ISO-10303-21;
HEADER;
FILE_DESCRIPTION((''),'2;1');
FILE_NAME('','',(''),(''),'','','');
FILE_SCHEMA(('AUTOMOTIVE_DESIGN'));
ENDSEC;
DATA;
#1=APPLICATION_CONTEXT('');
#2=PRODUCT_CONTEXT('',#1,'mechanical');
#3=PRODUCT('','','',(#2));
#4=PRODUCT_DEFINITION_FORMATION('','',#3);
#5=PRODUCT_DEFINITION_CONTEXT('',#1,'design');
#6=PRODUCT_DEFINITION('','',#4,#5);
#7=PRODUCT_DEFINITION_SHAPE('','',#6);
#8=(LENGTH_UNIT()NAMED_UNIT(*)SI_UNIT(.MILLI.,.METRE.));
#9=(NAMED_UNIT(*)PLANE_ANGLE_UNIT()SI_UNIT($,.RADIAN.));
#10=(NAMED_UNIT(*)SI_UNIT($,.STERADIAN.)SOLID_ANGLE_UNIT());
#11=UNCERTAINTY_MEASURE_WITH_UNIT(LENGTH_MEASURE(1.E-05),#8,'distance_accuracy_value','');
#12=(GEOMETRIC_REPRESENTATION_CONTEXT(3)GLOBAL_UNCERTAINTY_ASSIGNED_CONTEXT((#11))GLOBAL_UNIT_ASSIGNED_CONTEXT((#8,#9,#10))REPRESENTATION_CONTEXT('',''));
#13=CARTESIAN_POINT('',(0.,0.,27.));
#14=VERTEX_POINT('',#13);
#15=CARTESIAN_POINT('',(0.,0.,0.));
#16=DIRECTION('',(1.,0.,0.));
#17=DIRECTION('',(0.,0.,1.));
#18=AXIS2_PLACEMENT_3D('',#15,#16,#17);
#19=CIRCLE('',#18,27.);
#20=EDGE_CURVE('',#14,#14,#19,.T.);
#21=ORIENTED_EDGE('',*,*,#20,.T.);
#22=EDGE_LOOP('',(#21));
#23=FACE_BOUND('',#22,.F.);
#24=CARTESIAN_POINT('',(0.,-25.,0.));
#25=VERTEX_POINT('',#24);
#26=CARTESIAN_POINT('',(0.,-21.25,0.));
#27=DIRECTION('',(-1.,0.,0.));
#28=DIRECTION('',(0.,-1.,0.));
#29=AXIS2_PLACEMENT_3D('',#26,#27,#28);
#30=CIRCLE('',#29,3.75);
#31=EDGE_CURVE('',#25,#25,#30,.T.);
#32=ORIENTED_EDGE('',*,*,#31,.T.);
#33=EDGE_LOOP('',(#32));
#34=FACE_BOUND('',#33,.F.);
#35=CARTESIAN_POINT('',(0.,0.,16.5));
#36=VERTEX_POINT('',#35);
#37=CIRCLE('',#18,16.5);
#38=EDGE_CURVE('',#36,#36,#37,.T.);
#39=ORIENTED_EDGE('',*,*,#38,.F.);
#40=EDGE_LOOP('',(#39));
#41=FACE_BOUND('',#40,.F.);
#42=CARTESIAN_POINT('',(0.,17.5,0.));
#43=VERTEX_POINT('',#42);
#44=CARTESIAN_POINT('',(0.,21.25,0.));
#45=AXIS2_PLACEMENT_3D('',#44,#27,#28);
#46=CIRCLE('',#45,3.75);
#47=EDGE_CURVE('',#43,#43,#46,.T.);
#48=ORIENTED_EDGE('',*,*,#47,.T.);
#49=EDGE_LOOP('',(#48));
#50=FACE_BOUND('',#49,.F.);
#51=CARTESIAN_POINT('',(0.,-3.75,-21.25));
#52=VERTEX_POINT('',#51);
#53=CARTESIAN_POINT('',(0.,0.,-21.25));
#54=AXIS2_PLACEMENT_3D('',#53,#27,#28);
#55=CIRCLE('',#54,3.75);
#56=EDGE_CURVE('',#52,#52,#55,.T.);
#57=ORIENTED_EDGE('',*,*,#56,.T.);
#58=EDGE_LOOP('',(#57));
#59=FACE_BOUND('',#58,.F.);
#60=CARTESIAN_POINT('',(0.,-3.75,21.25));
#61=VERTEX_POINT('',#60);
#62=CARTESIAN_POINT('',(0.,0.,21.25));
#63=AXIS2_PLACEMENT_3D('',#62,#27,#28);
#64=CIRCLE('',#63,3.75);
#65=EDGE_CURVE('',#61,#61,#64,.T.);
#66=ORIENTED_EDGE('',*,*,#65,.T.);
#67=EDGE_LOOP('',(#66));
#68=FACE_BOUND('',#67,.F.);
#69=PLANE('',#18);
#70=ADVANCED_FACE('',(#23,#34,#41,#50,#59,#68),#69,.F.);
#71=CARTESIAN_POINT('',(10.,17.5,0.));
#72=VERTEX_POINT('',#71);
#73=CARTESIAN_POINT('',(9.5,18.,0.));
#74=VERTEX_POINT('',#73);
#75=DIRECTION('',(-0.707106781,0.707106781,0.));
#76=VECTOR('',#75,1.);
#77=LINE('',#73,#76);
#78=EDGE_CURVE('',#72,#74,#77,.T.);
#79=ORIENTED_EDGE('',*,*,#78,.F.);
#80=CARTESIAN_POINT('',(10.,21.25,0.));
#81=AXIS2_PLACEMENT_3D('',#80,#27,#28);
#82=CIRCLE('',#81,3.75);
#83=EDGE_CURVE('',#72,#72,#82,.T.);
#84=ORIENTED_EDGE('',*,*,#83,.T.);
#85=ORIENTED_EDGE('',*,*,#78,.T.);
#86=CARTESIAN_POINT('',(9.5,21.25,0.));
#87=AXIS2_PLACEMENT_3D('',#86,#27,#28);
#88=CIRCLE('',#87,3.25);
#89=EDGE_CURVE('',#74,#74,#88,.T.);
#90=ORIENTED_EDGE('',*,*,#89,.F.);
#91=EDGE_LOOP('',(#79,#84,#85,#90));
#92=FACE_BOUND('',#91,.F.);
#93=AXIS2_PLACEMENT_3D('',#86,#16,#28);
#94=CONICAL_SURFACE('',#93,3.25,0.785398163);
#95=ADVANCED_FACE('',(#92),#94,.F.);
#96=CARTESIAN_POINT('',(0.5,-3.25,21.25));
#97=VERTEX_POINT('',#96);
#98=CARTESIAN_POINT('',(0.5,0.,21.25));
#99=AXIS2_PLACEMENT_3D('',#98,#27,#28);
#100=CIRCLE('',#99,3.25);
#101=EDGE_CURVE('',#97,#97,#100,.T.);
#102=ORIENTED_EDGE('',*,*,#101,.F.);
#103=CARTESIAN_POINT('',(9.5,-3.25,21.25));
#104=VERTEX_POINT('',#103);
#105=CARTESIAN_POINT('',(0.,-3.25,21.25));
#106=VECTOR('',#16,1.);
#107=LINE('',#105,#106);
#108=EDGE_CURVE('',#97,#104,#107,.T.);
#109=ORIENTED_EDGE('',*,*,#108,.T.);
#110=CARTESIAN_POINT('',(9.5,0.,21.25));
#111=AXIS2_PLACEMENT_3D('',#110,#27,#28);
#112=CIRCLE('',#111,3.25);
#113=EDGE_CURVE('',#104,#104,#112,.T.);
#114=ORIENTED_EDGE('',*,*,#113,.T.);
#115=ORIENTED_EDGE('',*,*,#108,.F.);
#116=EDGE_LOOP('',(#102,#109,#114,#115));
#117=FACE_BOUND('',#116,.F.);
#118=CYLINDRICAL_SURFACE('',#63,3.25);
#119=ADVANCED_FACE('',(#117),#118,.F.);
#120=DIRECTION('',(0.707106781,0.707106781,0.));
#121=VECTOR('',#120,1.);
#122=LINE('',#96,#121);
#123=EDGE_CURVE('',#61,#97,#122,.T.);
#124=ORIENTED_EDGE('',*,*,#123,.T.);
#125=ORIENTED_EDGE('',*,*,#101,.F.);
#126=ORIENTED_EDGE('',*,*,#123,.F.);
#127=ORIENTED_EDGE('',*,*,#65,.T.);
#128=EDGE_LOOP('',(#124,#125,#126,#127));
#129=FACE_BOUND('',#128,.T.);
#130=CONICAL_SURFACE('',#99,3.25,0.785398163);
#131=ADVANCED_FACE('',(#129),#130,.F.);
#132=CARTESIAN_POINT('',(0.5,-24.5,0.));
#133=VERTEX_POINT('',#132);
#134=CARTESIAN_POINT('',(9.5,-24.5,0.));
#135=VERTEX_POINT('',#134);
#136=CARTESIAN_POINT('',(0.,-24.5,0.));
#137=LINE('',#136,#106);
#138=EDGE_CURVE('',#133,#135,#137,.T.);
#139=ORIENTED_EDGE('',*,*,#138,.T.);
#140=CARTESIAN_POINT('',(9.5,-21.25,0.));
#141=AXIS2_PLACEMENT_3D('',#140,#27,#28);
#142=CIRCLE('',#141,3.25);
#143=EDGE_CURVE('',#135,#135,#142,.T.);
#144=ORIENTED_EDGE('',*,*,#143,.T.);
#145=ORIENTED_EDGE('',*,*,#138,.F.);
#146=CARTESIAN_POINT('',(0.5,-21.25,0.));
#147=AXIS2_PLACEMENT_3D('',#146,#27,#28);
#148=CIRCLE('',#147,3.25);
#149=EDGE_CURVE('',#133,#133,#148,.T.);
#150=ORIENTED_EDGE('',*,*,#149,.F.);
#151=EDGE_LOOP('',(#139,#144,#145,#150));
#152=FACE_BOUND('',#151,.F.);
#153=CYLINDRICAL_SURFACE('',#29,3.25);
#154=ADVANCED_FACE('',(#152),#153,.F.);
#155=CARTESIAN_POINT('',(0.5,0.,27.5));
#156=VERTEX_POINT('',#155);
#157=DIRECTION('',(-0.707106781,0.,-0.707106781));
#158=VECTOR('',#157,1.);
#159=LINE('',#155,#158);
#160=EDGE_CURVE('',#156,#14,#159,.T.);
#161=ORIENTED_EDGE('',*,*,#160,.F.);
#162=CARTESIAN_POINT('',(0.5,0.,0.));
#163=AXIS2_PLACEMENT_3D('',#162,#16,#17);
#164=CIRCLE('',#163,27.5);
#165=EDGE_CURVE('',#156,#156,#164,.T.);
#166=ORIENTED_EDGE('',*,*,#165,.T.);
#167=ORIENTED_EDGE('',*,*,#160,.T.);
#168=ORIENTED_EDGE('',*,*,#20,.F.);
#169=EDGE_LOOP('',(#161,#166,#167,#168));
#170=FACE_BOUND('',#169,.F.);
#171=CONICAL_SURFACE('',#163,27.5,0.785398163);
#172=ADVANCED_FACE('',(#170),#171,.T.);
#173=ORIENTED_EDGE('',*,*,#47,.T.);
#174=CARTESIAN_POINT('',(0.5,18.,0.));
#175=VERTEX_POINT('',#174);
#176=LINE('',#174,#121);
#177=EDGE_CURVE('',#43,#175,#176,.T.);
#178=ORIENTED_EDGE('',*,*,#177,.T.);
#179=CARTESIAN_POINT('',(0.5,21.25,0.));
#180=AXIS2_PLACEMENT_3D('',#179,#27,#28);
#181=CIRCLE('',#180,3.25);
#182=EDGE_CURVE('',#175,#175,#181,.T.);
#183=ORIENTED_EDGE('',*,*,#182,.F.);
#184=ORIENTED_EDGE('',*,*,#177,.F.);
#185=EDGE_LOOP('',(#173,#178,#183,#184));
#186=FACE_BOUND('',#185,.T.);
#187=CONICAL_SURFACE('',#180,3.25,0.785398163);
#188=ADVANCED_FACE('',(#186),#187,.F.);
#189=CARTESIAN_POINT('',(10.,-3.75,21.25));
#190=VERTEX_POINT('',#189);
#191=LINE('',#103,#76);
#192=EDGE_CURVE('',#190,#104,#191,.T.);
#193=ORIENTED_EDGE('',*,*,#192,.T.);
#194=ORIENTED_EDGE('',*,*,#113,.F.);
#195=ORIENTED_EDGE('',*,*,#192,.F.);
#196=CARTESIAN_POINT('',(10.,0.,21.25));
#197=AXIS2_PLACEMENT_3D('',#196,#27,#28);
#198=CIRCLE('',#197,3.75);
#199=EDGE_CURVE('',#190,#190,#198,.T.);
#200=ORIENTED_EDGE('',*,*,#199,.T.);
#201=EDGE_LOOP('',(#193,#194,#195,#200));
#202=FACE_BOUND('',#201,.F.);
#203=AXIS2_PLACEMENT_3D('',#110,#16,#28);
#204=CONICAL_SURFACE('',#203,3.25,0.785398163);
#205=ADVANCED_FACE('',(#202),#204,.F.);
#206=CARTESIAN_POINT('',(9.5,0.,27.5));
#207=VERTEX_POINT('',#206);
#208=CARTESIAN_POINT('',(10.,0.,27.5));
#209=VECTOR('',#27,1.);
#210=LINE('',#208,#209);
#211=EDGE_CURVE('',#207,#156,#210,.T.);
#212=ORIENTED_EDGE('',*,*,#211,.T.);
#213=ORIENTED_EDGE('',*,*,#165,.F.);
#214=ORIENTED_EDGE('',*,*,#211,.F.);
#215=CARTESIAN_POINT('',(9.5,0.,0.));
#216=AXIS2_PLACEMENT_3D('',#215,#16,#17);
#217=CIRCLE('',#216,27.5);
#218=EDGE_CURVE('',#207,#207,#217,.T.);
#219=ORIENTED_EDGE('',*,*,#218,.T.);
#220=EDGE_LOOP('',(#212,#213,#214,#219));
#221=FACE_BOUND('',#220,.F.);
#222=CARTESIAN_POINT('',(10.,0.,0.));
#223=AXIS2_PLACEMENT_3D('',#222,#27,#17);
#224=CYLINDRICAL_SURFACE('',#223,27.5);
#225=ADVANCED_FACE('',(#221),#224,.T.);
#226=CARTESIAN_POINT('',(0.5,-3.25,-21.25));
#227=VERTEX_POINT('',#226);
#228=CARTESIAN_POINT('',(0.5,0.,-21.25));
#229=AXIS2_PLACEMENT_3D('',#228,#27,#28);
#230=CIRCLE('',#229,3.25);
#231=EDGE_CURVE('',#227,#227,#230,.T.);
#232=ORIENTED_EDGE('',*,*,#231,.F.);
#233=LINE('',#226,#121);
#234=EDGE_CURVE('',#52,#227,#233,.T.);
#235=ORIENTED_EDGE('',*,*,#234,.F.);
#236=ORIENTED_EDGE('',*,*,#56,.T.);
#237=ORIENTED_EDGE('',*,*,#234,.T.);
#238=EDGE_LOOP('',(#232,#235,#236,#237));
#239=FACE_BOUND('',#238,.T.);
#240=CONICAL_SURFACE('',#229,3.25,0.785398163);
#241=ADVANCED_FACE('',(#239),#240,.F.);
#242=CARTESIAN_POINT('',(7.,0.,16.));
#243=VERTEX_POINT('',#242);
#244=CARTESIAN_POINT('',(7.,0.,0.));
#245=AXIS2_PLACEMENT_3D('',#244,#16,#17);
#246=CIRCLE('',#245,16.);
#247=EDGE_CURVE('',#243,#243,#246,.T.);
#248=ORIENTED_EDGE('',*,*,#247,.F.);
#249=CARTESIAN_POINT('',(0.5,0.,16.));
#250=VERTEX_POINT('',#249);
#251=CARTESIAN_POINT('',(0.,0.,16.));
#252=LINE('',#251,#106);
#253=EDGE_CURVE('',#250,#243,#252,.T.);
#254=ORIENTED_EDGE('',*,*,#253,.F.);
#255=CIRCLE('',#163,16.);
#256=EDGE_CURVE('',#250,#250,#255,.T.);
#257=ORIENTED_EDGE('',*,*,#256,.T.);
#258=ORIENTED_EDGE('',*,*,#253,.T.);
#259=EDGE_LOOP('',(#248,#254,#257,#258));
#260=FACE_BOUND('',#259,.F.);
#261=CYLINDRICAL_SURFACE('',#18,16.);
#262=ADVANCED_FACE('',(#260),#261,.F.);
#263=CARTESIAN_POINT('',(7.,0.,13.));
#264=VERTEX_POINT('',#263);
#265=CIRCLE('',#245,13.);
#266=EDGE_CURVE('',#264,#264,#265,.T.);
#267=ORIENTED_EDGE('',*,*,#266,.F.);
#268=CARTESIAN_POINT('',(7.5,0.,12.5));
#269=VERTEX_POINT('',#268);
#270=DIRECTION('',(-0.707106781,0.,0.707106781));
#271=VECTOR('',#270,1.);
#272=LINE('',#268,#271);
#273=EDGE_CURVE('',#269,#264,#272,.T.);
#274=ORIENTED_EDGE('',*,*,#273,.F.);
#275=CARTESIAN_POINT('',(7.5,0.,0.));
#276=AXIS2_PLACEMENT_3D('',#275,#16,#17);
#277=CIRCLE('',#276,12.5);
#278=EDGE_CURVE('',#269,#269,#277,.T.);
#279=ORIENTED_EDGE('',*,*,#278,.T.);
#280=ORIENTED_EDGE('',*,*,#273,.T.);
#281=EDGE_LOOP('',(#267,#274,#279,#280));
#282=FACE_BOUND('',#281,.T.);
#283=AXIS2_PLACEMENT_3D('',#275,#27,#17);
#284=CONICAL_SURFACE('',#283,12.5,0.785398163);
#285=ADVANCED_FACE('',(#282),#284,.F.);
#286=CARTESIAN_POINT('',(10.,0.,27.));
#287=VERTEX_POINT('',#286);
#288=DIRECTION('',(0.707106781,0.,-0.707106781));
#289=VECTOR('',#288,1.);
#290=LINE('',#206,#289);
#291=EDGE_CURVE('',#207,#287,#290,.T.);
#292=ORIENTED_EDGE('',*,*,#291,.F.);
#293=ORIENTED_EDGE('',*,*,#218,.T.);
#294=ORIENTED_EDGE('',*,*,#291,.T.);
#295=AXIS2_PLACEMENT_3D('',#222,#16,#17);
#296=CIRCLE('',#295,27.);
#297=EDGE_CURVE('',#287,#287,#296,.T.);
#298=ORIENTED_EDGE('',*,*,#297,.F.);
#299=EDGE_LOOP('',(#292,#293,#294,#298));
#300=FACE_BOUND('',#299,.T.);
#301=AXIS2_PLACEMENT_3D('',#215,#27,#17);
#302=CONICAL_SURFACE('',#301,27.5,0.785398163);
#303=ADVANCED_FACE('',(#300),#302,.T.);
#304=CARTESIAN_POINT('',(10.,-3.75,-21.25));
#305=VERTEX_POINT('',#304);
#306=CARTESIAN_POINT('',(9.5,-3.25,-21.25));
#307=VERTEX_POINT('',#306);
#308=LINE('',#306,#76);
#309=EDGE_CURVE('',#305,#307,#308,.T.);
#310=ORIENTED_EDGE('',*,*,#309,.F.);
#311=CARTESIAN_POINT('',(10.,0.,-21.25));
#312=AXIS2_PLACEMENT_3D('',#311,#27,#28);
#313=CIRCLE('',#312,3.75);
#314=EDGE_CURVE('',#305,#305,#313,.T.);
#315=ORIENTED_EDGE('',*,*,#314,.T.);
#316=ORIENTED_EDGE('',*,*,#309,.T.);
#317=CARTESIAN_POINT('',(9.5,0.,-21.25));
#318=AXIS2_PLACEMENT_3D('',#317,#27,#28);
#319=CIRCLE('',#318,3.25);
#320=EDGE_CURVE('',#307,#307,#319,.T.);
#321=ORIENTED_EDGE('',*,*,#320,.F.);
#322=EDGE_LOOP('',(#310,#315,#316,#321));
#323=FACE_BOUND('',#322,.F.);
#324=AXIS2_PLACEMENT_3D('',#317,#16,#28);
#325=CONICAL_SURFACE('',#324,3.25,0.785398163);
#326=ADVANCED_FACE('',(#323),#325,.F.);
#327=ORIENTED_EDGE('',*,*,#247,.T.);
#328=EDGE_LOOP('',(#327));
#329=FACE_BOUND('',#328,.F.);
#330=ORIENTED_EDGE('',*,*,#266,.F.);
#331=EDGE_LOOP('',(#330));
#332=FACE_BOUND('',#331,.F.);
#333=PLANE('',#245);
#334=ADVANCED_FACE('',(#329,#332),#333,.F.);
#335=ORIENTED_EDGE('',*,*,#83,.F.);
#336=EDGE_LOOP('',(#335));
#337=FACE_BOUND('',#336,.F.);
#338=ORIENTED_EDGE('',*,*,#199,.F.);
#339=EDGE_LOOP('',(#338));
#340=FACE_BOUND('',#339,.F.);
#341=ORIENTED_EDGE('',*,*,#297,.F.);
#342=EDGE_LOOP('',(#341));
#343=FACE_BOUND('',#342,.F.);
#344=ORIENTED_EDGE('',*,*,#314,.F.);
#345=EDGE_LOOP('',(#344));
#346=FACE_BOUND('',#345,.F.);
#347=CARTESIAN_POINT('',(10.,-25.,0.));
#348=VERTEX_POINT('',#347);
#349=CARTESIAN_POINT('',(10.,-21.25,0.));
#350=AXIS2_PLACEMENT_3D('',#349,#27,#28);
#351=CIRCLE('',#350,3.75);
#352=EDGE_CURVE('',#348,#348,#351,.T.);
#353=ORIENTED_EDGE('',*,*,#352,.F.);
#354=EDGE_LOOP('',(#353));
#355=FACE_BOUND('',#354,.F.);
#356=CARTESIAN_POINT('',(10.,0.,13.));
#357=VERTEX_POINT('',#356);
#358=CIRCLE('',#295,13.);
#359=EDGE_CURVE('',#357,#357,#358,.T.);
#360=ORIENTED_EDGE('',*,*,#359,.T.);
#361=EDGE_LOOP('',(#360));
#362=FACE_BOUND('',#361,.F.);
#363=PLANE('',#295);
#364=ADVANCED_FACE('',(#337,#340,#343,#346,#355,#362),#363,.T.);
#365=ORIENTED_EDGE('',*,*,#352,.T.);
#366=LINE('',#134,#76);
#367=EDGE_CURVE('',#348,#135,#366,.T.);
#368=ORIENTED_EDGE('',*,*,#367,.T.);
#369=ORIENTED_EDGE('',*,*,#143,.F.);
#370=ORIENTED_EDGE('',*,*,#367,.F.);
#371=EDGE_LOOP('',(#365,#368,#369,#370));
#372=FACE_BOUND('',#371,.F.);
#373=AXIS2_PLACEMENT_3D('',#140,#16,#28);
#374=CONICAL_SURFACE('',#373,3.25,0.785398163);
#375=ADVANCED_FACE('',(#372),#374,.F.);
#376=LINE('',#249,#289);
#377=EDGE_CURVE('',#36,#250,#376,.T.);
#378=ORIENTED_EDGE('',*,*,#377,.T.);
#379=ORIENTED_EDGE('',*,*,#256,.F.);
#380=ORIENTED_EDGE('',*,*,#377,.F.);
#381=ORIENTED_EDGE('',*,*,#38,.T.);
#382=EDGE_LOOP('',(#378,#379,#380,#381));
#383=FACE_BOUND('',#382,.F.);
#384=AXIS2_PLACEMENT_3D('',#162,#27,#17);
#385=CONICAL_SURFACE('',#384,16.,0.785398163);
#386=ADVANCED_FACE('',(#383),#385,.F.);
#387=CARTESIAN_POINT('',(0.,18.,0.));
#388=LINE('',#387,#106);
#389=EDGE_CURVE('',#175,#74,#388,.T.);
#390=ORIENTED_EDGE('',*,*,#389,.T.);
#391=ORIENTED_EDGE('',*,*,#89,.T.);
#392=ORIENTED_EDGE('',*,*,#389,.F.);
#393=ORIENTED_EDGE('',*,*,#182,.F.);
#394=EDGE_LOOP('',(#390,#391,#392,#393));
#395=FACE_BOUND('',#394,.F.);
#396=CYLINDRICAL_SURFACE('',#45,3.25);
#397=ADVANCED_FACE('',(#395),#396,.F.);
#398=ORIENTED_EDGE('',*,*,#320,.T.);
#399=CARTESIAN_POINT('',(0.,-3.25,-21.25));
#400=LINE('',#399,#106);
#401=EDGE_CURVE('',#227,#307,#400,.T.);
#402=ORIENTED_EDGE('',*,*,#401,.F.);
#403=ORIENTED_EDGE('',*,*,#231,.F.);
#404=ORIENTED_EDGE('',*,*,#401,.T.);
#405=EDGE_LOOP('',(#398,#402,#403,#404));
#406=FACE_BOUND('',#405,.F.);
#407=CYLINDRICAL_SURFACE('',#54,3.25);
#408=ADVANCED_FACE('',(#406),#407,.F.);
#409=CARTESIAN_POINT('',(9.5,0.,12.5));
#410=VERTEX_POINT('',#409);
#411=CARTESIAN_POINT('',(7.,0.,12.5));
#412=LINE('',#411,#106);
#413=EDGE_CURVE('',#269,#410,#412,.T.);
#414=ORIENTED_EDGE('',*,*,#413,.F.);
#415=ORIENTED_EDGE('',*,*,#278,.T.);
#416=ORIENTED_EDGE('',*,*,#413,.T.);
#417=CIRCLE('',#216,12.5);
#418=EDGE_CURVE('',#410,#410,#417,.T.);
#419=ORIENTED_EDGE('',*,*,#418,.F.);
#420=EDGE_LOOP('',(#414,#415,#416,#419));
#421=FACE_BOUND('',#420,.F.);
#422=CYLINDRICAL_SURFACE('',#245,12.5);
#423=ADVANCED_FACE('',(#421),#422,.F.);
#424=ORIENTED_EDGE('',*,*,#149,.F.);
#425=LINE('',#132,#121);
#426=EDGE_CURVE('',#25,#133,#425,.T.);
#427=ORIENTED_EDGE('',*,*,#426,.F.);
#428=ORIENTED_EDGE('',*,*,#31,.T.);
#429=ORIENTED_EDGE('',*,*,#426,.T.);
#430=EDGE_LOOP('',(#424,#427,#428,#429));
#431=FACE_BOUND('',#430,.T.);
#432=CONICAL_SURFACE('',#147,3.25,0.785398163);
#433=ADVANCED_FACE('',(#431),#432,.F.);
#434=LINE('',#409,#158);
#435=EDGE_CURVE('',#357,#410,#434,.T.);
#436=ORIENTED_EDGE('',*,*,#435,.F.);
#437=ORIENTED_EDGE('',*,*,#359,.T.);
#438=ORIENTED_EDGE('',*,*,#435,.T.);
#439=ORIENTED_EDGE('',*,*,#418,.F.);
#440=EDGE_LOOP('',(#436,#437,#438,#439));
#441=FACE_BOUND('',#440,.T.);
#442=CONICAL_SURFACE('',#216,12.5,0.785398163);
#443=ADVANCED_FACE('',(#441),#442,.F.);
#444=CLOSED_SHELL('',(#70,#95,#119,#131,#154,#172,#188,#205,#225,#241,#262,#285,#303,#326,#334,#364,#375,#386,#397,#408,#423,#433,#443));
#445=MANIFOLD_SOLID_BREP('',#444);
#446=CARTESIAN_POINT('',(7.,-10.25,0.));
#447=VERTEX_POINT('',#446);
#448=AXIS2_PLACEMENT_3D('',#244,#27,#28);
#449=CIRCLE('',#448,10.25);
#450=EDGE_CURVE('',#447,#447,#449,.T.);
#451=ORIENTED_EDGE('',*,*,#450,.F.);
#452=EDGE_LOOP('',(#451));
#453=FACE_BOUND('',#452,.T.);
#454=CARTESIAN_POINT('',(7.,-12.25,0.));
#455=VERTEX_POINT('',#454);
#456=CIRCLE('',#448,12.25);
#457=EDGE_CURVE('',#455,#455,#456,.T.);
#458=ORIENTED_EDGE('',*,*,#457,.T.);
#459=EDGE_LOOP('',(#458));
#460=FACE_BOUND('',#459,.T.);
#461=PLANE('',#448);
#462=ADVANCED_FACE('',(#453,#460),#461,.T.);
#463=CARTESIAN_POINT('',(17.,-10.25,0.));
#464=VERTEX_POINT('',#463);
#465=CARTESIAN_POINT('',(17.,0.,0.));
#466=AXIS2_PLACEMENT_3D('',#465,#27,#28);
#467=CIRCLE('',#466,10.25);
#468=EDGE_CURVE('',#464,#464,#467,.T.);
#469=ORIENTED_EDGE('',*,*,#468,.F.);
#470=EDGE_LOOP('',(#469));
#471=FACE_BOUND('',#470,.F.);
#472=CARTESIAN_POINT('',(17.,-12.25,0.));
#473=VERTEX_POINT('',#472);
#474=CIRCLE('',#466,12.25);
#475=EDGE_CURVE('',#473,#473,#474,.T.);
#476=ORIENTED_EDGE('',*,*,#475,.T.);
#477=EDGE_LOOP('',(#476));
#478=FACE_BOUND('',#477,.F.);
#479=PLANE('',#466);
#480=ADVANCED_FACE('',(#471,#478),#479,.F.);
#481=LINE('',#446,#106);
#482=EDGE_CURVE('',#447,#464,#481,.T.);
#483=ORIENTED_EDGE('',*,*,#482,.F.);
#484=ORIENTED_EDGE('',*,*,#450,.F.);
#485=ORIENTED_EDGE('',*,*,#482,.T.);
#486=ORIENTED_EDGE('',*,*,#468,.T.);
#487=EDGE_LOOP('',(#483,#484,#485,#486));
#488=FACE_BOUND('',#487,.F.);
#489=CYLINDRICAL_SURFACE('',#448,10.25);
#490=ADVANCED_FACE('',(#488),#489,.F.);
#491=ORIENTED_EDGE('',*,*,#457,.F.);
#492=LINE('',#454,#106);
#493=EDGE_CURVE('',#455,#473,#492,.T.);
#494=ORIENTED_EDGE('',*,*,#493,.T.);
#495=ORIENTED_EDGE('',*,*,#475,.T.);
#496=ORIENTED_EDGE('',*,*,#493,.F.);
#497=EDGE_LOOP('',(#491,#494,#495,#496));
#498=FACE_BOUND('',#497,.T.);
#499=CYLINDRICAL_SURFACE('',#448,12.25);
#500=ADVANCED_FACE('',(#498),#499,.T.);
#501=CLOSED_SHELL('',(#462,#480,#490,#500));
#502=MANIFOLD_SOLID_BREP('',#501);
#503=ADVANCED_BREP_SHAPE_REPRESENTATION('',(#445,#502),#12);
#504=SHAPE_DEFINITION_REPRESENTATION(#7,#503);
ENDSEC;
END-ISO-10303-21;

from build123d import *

# Parameters (mm, degrees)
F2_R     = 3.25
F3_DEPTH = 10.001
F4_SIZE  = 0.5
F5_R     = 12.25
F5_R_2   = 10.25
F6_DEPTH = 10


with BuildPart() as f1:
    # F0 (on Front) → F1 (revolve)
    with BuildSketch(Plane.XZ):
        Polygon((10, 27.5), (0, 27.5), (0, 16), (7, 16), (7, 12.5), (10, 12.5), align=None)
    revolve(axis=Axis((-0.282709, 0, 0), (1, 0, 0)))

    # F2 (on face) → F3 (cut, through all)
    with BuildSketch(Plane(origin=(0, 0, 0), x_dir=(0, -1, 0), z_dir=(-1, 0, 0))):
        with Locations((0, -21.25)):
            Circle(F2_R)
        with Locations((21.25, 0)):
            Circle(F2_R)
        with Locations((0, 21.25)):
            Circle(F2_R)
        with Locations((-21.25, 0)):
            Circle(F2_R)
    extrude(amount=-F3_DEPTH, mode=Mode.SUBTRACT)

    # F4
    f4_edges = [f1.edges().sort_by_distance(p)[0] for p in [
        (10, 0, -27.5),
        (10, 0, -12.5),
        (0, 0, -27.5),
        (0, 0, -16),
        (7, 0, -12.5),
        (0, -18, 0),
        (0, 3.25, -21.25),
        (0, 24.5, 0),
        (0, 3.25, 21.25),
        (10, 3.25, 21.25),
        (10, 24.5, 0),
        (10, 3.25, -21.25),
        (10, -18, 0),
    ]]
    chamfer(f4_edges, length=F4_SIZE)


with BuildPart() as f6:
    # F5 (on face) → F6 (new body)
    with BuildSketch(Plane(origin=(7, 0, 0), x_dir=(0, -1, 0), z_dir=(-1, 0, 0))):
        Circle(F5_R)
        Circle(F5_R_2, mode=Mode.SUBTRACT)
    extrude(amount=-F6_DEPTH)


solid = Compound([f1.part, f6.part])
